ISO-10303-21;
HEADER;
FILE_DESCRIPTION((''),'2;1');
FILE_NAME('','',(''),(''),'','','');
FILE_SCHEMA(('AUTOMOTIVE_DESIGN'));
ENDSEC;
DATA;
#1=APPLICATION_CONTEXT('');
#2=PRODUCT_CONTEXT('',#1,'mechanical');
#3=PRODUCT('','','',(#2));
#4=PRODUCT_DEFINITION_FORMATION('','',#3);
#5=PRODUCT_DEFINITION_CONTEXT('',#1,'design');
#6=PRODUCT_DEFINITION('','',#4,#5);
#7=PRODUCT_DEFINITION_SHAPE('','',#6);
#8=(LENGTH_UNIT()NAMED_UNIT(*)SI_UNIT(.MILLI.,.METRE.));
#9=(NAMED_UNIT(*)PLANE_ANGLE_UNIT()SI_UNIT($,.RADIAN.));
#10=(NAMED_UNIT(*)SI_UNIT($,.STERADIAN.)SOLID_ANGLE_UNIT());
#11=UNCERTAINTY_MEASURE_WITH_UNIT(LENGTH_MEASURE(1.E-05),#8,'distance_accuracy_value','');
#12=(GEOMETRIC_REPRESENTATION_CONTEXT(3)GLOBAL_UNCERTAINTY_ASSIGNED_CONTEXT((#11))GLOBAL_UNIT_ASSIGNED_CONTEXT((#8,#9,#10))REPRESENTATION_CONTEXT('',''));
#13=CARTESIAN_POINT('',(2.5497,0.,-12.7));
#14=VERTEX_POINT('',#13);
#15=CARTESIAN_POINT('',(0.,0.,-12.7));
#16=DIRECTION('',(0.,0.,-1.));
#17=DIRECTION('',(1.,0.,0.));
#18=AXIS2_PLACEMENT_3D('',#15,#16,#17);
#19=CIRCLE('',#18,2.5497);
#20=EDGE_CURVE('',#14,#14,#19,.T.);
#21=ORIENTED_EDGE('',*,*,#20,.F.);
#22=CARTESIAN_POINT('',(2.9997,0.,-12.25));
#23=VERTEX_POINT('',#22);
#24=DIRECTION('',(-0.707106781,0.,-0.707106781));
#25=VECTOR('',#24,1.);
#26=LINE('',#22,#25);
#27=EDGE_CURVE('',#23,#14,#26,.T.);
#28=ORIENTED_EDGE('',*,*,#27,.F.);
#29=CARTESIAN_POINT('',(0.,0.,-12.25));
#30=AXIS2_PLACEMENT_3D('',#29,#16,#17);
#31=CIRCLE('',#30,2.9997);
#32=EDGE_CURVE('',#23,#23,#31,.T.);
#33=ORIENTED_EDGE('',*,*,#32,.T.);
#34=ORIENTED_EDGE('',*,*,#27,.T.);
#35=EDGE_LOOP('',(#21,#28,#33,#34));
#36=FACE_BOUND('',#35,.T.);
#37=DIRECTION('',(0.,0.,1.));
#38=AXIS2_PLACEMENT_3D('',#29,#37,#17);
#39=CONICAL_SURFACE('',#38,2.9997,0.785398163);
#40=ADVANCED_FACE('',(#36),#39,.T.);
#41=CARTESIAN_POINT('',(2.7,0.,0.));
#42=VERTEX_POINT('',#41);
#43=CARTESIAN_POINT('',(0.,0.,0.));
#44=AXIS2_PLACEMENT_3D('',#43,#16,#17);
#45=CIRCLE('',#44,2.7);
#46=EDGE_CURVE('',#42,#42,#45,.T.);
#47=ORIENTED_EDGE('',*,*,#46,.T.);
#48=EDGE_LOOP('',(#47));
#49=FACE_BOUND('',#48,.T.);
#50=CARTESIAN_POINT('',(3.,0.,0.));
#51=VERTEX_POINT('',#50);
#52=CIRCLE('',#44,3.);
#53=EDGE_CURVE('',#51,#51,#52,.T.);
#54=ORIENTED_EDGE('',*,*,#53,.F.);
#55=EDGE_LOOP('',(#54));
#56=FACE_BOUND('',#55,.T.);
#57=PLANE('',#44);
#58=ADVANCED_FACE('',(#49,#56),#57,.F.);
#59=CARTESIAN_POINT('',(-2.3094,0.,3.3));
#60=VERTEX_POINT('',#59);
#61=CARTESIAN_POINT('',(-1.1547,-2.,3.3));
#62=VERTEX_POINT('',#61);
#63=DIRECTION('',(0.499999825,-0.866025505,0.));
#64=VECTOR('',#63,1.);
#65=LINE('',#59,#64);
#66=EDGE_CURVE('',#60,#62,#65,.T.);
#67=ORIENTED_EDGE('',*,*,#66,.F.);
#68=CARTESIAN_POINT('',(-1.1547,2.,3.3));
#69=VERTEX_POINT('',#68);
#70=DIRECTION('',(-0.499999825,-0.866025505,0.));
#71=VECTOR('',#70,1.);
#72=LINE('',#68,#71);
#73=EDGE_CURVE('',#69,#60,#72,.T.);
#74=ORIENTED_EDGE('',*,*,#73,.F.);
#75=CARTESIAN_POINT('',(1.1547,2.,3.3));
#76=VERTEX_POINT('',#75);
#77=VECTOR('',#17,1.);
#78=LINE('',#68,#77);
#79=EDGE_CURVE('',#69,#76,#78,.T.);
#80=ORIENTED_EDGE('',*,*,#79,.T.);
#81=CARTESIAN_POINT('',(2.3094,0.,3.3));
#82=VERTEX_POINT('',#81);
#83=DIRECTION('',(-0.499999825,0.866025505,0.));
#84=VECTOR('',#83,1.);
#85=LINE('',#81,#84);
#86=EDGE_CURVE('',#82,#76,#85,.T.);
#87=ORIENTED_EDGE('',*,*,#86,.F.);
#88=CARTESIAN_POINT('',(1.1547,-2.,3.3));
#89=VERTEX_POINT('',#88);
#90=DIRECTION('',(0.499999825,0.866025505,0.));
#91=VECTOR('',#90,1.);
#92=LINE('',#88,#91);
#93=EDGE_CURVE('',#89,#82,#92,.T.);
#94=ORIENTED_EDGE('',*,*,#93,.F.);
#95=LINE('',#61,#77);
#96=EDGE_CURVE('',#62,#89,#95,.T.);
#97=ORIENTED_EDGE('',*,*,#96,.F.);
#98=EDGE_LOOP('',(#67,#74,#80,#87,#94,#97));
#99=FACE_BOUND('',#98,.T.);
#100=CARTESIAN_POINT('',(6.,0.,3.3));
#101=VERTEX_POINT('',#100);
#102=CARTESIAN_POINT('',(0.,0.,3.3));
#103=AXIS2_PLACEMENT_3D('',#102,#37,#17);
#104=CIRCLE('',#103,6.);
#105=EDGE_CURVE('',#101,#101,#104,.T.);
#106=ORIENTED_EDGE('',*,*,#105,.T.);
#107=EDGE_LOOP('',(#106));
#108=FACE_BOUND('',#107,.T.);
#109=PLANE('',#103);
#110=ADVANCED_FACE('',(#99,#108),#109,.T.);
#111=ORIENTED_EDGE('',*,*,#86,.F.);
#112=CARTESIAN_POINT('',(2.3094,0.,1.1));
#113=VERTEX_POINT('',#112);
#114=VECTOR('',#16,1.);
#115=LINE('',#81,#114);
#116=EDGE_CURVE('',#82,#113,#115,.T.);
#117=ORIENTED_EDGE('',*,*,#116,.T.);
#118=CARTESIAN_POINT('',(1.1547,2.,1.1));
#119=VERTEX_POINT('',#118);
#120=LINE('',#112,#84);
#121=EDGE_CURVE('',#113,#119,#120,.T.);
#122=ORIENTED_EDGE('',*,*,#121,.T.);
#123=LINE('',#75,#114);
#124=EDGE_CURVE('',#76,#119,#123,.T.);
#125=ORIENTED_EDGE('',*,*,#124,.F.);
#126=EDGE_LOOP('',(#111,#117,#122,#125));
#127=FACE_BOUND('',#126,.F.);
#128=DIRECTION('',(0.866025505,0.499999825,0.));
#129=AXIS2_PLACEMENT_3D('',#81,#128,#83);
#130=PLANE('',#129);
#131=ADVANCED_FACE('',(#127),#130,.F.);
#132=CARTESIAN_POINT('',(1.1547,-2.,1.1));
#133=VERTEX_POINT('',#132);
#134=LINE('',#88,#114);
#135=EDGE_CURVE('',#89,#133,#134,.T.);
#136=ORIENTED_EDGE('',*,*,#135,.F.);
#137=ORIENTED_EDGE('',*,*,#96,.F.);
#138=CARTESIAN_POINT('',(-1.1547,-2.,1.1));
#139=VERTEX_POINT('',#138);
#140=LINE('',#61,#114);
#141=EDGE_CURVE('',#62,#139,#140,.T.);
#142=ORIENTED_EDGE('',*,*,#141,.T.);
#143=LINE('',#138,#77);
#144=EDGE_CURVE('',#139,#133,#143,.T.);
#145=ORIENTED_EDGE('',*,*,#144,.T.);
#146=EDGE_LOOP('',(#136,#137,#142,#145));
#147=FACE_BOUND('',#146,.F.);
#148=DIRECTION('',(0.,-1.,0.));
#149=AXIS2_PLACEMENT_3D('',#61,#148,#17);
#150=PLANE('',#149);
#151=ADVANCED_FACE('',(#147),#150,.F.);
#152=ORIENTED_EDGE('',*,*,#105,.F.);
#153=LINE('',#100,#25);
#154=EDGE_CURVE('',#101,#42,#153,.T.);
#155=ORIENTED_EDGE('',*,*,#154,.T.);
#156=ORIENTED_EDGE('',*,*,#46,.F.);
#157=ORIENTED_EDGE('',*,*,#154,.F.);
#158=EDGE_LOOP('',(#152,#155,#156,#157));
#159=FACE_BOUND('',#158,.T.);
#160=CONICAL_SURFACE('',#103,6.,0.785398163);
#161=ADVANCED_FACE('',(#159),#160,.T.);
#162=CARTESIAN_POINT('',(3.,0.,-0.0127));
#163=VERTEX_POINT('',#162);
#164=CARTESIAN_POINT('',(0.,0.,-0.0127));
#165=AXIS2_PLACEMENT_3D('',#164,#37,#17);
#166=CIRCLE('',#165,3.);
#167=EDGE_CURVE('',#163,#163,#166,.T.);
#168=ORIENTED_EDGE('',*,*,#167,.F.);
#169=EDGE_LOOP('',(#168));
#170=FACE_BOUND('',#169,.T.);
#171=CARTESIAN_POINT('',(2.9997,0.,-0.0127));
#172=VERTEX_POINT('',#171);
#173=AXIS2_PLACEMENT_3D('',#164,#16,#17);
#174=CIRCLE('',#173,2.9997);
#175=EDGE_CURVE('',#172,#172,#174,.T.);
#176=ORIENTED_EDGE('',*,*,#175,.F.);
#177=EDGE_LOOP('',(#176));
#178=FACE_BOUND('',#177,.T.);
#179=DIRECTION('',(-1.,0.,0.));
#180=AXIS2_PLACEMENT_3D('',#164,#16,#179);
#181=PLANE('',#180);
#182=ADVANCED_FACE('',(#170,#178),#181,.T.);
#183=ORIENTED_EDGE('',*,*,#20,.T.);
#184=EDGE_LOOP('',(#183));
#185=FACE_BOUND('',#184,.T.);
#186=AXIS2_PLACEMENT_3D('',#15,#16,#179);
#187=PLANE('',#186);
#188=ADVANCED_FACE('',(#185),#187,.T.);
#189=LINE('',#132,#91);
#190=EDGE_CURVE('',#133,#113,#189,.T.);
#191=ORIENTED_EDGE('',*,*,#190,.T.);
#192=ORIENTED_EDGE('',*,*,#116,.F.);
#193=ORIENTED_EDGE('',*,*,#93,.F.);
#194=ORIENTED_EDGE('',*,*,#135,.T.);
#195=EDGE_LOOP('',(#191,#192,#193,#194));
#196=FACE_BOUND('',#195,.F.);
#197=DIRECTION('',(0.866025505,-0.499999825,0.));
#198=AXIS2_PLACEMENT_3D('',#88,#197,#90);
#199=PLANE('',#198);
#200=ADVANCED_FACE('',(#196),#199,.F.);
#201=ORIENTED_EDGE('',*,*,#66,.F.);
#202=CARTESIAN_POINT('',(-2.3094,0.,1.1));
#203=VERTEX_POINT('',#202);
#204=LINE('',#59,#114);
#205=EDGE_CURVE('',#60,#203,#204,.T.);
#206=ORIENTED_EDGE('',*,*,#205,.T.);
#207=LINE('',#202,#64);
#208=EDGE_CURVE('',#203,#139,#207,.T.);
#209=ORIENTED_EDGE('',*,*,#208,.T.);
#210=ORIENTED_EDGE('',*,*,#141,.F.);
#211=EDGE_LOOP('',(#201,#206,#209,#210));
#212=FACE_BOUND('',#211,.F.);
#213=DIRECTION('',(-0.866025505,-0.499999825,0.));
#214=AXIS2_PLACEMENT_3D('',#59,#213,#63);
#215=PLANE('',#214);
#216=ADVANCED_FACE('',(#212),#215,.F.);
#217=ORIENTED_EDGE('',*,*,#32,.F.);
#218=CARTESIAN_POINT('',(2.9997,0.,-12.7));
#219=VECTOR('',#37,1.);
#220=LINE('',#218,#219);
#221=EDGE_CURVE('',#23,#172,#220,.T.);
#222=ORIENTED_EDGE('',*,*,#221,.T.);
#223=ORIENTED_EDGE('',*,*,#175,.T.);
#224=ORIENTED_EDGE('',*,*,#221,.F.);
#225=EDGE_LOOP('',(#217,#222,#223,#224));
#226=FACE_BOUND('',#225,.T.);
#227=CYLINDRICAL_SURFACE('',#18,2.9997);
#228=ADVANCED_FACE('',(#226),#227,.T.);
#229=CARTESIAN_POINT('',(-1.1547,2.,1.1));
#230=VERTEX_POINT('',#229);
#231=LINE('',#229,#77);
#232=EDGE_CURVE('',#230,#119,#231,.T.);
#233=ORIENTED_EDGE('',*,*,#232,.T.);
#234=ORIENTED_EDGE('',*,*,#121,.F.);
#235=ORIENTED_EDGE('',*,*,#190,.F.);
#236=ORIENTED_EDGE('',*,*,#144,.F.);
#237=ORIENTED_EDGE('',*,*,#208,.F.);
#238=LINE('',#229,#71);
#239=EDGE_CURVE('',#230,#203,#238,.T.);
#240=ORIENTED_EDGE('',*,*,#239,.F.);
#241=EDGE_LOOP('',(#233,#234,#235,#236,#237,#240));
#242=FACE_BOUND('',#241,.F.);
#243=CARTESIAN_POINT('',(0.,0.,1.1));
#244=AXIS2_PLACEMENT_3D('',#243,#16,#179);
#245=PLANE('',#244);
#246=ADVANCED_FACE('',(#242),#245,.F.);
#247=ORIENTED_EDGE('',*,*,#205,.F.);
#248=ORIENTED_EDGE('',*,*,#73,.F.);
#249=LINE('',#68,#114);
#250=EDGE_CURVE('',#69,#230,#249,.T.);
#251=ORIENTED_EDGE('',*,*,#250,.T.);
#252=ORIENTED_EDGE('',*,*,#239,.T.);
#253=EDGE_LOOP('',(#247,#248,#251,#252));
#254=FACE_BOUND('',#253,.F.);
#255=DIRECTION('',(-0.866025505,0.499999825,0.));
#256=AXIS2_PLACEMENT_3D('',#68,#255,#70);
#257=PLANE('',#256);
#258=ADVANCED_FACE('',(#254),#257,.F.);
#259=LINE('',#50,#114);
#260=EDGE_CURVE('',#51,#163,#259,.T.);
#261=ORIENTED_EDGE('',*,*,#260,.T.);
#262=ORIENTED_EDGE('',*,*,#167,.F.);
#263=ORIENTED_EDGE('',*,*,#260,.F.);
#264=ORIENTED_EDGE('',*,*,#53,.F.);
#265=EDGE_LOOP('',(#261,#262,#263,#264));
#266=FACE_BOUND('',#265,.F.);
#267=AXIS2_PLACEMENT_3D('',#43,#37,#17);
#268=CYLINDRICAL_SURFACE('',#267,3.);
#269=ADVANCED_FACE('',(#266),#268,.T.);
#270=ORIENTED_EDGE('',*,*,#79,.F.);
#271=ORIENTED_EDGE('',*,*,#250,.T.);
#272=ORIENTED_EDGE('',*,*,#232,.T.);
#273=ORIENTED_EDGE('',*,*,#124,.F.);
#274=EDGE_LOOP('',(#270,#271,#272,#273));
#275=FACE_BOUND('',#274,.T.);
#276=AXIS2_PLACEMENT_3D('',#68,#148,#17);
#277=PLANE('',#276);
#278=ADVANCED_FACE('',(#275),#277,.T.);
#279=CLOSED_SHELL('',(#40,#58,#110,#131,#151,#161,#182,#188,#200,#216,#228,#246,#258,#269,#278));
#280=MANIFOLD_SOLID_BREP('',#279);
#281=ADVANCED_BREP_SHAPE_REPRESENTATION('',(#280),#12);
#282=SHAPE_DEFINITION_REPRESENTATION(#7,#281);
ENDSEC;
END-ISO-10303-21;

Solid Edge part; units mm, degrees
sketch "Sketch1" plane through (0, 0, 0) normal (0, 0, 1) x (1, 0, 0)
  circle A0 centre (0, 0) radius 6
  dimension "D1" = 12
extrude "Protrusion1" add sketch "Sketch1" along normal blind 3.3
sketch "Sketch2" plane through (0, 0, 0) normal (0, 0, -1) x (1, 0, 0)
  circle A0 centre (0, 0) radius 3
extrude "Protrusion2" add sketch "Sketch2" along normal blind 12.7
sketch "Sketch3" plane through (0, 0, -12.7) normal (0, 0, -1) x (1, 0, 0)
  circle A0 centre (0, 0) radius 2.9997
extrude "Cutout1" cut sketch "Sketch3" against normal blind 12.6873 flip side to cut
chamfer "Chamfer_1" distance 0.45 angle 45 1 edges at (-2.9997, 0, -12.7)
sketch "Sketch4" plane through (0, 0, 3.3) normal (0, 0, 1) x (1, 0, 0)
  line L0 (-1.1547, 2) -> (1.1547, 2)
  line L1 (2.3094, 0) -> (1.1547, 2)
  line L2 (1.1547, -2) -> (2.3094, 0)
  line L3 (-1.1547, -2) -> (1.1547, -2)
  line L4 (-2.3094, 0) -> (-1.1547, -2)
  line L5 (-1.1547, 2) -> (-2.3094, 0)
  dimension "D1" = 4
extrude "Cutout2" cut sketch "Sketch4" against normal blind 2.2
sketch "Sketch5" plane through (0, 0, 0) normal (0, -1, 0) x (1, 0, 0)
  line L0 (6, 3.3) -> (2.7, 0)
  line L1 (2.7, 0) -> (6, 0)
  line L2 (6, 0) -> (6, 3.3)
revolve "RevolvedCutout1" cut sketch "Sketch5" angle 360 about axis through (0, 0, 14.0017) along (0, 0, -1)
properties part number "24104197"
